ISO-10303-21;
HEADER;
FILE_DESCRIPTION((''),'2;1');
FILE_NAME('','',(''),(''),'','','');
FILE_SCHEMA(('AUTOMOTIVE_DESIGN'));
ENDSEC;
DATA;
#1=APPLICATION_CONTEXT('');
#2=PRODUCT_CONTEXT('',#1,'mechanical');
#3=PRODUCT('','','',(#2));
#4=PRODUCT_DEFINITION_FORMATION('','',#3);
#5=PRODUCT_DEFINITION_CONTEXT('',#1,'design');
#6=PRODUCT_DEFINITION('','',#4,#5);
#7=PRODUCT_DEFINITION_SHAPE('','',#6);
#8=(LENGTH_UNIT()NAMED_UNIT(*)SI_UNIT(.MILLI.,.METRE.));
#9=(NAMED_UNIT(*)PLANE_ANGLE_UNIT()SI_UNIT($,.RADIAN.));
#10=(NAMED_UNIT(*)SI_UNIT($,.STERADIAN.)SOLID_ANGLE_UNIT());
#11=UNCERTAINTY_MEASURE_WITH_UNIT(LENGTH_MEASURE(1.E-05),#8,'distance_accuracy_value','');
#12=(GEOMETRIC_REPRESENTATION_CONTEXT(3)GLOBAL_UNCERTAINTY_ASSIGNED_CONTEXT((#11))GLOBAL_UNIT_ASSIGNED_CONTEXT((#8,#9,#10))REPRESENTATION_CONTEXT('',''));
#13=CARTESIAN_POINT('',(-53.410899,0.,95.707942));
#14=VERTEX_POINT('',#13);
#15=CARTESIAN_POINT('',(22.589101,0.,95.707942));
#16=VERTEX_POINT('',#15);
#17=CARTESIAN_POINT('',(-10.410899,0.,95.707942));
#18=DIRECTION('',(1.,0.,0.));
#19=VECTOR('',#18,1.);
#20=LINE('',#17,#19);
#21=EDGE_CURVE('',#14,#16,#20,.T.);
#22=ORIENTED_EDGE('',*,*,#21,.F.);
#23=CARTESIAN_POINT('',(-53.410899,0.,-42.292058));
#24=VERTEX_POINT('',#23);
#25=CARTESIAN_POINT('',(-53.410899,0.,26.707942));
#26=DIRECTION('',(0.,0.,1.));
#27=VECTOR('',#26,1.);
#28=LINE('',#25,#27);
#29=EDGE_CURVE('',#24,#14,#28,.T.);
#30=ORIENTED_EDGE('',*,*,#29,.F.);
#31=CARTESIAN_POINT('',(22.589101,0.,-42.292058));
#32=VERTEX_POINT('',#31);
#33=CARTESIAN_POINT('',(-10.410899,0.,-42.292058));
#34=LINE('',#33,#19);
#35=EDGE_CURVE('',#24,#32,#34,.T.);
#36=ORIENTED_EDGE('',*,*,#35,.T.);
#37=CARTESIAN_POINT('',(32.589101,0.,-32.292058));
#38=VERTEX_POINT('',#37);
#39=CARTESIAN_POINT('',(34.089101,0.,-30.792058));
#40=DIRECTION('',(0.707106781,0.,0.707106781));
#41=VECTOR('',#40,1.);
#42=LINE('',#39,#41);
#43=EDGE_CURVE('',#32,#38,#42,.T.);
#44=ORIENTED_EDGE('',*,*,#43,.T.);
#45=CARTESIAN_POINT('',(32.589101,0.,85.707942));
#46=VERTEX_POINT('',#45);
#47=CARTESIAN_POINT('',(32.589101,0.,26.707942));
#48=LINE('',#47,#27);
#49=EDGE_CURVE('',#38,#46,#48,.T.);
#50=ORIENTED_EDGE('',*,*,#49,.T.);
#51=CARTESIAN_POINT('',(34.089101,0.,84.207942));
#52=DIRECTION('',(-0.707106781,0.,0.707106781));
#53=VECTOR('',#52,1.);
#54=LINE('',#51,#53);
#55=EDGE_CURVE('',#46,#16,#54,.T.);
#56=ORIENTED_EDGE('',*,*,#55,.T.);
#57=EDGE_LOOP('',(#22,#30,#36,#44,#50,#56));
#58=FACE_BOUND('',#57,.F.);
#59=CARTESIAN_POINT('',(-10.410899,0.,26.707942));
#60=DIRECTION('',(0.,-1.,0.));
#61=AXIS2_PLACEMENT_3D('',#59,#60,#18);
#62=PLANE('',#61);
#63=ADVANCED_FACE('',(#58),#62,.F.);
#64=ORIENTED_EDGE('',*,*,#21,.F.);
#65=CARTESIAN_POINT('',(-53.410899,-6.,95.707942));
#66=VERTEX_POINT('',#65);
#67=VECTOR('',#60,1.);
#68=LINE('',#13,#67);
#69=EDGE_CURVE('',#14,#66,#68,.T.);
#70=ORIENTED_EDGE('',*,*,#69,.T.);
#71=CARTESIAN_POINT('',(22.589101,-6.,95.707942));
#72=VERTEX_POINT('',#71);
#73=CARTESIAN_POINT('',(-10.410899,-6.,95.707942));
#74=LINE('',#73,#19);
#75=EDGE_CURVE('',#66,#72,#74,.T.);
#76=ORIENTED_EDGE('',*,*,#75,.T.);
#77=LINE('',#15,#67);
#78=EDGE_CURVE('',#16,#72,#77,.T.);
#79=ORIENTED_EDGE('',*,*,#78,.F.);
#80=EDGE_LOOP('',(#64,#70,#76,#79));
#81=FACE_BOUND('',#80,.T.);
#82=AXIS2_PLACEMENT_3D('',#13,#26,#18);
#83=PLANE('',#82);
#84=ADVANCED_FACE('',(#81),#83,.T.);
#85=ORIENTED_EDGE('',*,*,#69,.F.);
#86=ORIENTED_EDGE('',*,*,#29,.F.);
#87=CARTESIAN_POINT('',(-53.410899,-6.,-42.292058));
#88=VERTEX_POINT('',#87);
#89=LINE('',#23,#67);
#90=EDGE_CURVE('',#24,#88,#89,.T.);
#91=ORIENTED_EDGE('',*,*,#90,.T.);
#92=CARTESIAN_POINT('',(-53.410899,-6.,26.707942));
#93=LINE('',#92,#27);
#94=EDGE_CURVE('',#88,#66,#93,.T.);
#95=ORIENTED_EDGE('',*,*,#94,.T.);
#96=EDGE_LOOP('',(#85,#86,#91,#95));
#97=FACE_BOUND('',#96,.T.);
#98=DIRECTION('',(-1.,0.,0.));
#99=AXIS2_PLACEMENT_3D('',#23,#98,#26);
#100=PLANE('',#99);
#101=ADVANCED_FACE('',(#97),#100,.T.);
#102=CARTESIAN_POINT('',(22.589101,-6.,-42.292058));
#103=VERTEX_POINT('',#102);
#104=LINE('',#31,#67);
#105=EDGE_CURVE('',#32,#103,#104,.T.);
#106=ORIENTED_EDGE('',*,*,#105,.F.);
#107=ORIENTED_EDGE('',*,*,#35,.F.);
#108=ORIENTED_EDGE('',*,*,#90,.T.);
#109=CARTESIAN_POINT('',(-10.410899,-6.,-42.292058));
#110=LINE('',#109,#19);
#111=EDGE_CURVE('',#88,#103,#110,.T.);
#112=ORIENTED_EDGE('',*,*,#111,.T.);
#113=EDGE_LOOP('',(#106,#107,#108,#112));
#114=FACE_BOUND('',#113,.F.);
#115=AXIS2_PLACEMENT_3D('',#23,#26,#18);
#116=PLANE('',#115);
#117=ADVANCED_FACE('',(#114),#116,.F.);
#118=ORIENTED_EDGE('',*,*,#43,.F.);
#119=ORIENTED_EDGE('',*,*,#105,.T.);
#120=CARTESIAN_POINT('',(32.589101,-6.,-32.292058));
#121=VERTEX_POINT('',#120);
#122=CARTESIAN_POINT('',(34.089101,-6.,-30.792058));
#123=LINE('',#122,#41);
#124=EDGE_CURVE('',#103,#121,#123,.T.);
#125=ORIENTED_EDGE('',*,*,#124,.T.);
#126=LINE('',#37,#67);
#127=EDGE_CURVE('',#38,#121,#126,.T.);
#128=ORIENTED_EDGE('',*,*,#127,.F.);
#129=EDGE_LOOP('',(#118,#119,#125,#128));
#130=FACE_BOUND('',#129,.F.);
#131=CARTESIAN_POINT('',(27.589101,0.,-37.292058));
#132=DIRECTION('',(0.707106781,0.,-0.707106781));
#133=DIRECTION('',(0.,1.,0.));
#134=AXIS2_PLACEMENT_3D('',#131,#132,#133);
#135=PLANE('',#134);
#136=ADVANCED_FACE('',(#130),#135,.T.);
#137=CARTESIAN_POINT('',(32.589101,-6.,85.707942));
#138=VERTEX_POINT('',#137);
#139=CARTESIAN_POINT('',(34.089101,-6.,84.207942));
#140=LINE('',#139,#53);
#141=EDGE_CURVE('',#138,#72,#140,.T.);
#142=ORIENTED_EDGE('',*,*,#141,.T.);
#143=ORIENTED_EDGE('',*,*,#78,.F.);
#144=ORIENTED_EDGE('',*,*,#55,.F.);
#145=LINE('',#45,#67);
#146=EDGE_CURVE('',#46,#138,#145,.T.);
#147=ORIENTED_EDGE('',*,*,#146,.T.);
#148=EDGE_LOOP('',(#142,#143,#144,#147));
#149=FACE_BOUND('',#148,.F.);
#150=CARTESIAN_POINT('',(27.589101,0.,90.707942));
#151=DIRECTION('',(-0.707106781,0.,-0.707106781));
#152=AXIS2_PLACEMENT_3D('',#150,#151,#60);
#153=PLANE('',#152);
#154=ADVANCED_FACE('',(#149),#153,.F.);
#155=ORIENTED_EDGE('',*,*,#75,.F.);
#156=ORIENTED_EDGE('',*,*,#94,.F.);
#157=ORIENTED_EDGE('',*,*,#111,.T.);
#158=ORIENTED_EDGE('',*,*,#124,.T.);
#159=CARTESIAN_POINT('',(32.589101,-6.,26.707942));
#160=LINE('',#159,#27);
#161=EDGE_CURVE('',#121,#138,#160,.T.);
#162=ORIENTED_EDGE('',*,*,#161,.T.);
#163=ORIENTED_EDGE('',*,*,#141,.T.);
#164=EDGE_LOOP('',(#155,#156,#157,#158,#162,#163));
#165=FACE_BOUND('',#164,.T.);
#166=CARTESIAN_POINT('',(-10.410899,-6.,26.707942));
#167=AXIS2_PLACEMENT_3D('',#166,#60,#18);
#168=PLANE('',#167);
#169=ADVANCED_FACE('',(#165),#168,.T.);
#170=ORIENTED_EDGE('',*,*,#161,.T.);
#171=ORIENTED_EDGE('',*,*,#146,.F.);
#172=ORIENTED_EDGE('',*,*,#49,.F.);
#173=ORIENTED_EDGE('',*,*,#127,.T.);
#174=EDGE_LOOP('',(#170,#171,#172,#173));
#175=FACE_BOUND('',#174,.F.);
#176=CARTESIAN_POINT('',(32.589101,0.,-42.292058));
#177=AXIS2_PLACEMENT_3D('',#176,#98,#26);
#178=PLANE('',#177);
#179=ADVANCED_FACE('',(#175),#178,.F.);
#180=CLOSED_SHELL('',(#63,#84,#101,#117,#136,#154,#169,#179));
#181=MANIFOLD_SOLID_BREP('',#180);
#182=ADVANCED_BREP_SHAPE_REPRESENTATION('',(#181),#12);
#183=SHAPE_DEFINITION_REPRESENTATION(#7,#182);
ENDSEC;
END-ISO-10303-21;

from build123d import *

# Parameters (mm, degrees)
F0_W     = 86
F0_H     = 138
F1_DEPTH = 6
F2_SIZE  = 10


with BuildPart() as f1:
    # F0 (on Front) → F1 (new body)
    with BuildSketch(Plane.XZ):
        with Locations((-10.410899, 26.707942)):
            Rectangle(F0_W, F0_H)
    extrude(amount=F1_DEPTH)

    # F2
    f2_edges = [f1.edges().sort_by_distance(p)[0] for p in [
        (32.589101, -3, 95.707942),
        (32.589101, -3, -42.292058),
    ]]
    chamfer(f2_edges, length=F2_SIZE)


solid = f1.part
